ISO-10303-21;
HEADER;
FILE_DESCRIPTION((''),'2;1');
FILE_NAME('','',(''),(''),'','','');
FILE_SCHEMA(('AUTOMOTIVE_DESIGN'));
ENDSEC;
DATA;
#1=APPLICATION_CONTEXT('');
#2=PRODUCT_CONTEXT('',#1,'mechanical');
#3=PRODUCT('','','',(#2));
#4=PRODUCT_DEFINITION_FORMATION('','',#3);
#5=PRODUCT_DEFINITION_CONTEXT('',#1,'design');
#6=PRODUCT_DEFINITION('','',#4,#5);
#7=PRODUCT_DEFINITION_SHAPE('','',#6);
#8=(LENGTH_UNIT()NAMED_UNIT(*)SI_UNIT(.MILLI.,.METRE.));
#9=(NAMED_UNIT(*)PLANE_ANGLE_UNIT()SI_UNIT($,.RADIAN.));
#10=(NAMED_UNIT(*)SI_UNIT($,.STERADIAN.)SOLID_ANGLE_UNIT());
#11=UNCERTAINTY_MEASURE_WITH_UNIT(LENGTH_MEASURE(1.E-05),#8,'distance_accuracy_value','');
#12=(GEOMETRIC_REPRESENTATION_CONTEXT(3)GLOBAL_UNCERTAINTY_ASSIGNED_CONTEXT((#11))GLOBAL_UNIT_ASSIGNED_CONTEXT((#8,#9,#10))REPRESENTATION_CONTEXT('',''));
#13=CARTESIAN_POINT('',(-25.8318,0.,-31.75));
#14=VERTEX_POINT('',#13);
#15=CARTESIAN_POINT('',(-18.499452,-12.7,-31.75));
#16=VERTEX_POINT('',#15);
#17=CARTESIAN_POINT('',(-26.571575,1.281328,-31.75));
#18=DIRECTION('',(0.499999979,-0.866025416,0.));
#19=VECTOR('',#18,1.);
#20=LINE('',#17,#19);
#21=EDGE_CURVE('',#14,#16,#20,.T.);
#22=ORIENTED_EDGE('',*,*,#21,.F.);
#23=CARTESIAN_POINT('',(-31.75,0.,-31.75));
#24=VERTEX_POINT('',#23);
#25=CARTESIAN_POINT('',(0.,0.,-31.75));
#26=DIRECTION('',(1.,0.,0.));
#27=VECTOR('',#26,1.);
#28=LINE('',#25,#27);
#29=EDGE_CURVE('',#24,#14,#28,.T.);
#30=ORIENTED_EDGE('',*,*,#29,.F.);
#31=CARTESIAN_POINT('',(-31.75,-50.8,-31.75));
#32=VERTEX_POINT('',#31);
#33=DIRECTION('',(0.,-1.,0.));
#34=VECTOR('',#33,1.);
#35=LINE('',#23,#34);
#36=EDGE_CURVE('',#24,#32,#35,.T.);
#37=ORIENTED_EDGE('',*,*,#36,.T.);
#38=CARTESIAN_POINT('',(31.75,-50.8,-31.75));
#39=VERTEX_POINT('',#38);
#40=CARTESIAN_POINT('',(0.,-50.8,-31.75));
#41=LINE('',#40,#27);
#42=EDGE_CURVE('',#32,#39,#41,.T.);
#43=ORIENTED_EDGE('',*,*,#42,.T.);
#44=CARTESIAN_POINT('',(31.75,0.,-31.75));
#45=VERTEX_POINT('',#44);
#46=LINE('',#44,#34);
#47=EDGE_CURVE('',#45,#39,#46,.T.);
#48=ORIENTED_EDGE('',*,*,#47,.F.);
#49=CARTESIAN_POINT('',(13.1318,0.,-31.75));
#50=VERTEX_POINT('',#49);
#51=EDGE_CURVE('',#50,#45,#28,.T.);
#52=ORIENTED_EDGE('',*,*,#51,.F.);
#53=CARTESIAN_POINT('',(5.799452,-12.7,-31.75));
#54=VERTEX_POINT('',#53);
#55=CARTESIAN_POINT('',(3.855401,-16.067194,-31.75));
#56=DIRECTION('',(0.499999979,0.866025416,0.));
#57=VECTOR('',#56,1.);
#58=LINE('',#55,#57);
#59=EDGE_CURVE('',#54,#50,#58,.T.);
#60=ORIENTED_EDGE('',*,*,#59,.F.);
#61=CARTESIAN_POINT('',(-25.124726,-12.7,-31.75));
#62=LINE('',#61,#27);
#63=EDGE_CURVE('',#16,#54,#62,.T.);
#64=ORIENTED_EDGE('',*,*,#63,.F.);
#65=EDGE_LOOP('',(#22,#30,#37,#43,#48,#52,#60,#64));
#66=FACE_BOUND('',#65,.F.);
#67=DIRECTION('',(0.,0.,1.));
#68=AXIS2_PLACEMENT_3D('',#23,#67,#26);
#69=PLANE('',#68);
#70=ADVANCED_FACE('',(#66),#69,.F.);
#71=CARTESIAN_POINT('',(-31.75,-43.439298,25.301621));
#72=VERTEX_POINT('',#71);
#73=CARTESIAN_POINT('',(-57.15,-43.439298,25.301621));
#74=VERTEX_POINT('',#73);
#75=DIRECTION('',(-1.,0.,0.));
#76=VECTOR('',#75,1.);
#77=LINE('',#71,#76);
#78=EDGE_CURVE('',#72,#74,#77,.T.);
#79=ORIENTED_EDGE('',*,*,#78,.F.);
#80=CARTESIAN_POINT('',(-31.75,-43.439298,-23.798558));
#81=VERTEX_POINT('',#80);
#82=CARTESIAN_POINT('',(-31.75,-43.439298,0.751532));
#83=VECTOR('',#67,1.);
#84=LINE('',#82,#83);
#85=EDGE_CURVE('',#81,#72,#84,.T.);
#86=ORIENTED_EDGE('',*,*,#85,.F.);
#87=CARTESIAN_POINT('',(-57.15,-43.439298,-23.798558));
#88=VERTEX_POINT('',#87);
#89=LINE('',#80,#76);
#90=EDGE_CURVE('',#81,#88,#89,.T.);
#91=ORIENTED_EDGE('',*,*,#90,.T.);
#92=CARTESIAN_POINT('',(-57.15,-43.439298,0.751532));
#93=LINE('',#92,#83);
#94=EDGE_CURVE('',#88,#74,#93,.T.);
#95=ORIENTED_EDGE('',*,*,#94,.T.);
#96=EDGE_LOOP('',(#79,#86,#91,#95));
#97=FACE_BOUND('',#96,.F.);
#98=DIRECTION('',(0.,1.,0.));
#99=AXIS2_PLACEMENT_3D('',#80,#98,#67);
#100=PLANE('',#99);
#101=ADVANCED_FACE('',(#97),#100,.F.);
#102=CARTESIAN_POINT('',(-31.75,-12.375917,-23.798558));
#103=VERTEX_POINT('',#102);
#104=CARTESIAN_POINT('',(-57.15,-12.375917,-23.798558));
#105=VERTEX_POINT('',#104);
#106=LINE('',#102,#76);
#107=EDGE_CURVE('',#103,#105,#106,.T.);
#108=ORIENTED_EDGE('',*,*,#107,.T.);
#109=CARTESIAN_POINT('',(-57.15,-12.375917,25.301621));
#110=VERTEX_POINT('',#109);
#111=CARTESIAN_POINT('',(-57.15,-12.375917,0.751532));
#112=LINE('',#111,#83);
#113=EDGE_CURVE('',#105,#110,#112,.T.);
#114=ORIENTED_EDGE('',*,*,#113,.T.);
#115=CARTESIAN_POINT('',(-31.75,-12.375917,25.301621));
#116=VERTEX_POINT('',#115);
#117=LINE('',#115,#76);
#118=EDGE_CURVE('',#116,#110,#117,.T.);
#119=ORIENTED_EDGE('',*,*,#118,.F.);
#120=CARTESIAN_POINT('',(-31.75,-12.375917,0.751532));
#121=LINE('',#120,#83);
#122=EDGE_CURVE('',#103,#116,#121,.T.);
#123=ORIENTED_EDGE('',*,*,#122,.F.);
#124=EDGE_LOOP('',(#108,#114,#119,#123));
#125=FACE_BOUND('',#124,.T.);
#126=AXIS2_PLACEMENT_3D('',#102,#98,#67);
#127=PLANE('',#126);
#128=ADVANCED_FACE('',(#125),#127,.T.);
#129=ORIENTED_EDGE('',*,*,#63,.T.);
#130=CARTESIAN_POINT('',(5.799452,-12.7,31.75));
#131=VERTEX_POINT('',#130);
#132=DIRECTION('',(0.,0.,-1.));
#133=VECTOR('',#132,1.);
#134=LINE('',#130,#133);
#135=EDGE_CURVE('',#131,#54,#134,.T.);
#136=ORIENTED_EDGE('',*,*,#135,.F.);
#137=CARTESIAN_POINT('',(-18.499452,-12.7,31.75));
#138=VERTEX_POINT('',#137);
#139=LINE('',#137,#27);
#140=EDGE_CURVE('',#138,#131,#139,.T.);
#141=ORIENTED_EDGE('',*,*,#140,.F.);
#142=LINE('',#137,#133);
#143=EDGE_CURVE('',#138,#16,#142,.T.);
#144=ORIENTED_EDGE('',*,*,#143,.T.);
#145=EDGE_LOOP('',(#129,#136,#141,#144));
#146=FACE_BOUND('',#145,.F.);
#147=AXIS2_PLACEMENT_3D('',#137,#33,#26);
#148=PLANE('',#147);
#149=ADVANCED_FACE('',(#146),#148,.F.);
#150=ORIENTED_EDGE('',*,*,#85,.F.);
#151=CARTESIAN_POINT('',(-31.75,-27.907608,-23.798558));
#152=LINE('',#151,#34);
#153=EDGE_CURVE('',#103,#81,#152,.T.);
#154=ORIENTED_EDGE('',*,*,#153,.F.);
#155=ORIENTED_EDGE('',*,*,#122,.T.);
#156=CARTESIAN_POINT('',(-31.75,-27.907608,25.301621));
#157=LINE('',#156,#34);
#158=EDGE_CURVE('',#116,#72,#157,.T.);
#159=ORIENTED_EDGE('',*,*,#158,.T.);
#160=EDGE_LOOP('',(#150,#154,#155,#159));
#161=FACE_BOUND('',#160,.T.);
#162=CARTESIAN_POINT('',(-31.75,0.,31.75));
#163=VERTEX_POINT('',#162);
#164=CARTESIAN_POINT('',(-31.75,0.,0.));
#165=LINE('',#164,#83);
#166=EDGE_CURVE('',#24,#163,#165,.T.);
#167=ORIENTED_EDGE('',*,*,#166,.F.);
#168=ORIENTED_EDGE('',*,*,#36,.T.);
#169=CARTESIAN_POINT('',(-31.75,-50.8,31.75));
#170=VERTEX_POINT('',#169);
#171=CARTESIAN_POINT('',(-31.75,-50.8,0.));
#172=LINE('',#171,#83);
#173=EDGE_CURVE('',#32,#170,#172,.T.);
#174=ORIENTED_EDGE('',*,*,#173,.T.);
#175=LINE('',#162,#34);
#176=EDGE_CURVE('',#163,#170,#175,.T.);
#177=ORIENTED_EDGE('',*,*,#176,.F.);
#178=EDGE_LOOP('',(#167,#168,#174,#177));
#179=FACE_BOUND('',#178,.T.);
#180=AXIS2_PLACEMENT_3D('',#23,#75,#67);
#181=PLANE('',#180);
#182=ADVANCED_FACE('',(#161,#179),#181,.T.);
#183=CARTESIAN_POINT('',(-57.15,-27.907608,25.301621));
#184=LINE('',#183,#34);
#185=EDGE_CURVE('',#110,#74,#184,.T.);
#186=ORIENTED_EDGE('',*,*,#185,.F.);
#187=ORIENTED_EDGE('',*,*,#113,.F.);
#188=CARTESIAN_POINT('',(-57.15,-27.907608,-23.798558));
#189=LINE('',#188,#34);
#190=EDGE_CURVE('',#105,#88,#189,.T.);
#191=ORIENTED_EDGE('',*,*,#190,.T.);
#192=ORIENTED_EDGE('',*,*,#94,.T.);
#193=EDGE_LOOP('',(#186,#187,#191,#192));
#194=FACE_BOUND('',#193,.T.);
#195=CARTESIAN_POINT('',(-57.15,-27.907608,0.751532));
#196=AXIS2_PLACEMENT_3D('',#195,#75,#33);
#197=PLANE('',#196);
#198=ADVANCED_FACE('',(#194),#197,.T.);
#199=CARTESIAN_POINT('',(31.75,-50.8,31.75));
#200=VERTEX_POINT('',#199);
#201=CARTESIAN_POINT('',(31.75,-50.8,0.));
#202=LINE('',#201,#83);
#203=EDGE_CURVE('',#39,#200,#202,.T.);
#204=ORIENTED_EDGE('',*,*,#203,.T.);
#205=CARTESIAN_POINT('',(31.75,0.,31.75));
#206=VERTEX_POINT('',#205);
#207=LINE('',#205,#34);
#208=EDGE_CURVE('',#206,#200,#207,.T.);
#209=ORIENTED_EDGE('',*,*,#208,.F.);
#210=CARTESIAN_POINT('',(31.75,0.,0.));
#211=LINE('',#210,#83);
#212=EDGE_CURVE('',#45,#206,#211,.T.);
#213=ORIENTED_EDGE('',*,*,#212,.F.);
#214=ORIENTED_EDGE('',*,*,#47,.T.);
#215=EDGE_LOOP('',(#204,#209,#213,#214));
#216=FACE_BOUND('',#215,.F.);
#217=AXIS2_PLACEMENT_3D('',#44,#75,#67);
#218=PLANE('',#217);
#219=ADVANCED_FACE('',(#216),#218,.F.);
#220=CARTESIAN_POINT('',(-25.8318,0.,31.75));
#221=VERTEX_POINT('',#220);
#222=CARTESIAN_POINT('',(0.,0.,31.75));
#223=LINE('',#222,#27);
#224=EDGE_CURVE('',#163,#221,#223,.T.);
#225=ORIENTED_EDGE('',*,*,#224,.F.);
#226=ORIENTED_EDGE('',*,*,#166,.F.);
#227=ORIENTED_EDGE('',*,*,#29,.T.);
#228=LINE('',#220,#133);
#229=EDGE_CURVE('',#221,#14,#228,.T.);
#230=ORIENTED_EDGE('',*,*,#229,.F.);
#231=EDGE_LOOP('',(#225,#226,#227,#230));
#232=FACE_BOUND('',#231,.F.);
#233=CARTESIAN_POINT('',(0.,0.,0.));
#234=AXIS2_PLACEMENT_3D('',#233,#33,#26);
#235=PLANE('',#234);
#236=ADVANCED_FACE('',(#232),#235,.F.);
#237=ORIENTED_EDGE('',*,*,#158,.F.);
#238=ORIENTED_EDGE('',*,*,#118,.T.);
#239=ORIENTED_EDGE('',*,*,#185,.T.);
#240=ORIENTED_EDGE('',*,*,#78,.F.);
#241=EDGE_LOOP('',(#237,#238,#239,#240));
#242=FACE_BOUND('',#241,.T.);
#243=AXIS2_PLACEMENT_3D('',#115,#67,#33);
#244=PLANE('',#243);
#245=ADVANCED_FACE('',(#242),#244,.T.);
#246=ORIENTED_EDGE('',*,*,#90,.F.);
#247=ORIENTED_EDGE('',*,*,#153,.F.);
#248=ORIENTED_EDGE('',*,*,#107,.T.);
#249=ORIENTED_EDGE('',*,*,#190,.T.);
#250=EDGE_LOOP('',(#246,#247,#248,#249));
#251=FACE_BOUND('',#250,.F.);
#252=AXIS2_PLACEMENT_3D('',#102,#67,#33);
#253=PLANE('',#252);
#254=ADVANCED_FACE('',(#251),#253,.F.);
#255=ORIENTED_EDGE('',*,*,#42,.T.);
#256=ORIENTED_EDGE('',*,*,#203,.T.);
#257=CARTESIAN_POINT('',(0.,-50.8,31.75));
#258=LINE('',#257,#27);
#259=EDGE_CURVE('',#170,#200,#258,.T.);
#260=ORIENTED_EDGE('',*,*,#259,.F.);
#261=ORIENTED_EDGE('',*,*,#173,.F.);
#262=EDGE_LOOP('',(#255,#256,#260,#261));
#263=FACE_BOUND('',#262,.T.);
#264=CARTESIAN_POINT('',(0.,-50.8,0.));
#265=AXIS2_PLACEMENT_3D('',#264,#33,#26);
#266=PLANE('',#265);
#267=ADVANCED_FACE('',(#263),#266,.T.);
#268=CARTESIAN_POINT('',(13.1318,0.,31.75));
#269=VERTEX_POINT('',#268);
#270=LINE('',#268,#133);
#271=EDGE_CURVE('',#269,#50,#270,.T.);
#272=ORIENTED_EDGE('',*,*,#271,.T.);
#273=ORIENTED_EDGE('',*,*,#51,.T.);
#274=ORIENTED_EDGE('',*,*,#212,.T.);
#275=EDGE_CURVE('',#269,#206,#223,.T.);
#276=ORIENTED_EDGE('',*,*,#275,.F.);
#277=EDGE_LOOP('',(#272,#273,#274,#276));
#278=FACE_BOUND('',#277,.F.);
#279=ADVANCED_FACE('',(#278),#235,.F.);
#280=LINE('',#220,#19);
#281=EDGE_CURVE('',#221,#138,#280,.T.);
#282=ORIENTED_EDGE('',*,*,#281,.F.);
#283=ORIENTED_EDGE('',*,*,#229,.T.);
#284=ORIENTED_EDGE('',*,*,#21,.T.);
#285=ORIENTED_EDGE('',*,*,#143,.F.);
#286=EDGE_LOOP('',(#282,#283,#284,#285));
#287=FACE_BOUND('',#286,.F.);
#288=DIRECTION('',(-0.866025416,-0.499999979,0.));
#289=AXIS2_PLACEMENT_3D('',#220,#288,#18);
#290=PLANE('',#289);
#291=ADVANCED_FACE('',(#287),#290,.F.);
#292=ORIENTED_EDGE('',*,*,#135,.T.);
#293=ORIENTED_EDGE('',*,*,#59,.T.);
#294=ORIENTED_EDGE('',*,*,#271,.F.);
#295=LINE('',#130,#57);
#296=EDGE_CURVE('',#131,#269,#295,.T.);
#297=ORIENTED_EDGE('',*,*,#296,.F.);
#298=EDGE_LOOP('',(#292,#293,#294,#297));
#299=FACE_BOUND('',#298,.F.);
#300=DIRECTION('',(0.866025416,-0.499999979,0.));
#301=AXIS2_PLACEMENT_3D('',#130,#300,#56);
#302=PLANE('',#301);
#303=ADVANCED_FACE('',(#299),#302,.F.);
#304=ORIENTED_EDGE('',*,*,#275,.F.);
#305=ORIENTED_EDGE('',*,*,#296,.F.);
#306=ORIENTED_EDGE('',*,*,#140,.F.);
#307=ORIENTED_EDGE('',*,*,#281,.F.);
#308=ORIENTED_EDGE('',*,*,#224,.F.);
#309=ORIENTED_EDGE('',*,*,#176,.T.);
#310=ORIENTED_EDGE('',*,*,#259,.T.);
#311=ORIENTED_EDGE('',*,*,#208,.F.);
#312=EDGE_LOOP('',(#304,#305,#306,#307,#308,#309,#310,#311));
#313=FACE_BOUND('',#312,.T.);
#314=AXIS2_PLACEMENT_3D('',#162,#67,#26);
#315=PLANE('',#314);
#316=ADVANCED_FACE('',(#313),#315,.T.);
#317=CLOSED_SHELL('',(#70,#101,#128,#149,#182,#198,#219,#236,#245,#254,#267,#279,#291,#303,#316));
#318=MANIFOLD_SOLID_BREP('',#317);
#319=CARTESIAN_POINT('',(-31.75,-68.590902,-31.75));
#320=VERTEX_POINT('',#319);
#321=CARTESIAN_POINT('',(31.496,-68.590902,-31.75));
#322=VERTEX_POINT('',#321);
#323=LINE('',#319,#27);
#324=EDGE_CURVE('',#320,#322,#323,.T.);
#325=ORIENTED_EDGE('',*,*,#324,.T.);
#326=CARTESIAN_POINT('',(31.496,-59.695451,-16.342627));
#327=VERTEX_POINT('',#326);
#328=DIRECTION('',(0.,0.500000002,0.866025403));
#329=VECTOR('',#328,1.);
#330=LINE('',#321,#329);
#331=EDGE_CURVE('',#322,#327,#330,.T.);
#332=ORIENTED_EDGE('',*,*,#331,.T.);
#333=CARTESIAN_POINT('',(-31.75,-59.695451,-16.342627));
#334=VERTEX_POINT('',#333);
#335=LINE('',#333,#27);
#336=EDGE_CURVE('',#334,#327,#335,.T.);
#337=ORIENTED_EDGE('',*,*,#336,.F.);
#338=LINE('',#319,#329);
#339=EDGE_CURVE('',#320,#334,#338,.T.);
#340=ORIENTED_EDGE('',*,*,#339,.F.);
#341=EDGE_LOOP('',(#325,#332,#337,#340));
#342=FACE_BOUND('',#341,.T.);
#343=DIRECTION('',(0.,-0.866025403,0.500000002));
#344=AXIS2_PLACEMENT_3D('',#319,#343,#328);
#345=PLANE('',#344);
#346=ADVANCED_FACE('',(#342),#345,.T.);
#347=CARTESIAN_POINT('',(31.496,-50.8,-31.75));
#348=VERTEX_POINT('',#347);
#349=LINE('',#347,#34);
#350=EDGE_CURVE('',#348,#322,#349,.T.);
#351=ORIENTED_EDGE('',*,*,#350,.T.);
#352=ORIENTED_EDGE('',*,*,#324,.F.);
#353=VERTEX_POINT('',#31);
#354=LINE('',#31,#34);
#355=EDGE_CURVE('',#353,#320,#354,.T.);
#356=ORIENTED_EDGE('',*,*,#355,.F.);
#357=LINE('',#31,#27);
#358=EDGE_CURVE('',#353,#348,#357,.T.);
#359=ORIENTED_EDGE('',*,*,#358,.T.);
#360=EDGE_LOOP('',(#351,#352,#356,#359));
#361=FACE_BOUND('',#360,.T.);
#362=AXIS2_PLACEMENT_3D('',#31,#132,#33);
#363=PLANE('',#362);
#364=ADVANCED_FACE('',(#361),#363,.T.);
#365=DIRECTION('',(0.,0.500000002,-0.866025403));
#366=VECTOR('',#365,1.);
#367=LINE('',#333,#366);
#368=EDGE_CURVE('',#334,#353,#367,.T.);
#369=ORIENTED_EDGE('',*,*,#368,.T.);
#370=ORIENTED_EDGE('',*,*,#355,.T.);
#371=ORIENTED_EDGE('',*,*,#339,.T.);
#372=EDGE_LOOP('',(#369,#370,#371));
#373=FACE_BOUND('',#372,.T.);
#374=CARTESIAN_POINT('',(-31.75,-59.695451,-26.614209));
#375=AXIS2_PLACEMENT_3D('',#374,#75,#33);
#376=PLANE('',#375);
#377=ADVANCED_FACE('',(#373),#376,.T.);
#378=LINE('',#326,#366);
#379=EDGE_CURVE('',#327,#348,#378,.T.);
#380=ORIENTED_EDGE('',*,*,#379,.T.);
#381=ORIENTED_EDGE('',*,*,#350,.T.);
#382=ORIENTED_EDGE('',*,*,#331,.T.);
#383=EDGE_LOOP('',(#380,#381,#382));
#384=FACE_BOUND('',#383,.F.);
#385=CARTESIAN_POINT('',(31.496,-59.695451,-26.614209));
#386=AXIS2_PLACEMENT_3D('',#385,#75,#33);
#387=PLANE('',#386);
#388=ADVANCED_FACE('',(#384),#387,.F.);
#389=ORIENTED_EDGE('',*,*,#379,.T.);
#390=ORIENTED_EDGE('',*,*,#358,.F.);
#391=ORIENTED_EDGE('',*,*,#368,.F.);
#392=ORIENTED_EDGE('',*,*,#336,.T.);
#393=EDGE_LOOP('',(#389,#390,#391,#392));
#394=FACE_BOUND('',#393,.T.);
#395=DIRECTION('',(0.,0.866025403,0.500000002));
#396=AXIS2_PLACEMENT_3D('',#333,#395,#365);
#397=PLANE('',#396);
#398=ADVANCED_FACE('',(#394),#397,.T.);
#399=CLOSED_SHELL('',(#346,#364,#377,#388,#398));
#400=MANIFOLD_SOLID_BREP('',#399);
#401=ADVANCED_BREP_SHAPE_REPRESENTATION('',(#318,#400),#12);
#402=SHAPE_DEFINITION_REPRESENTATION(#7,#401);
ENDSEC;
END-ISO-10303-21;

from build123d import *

# Parameters (mm, degrees)
F0_W     = 63.5
F0_H     = 63.5
F1_DEPTH = 50.8
F3_DEPTH = 82.042
F6_DEPTH = 63.246
F7_W     = 31.063381
F7_H     = 49.100179
F8_DEPTH = 25.4


with BuildPart() as f1:
    # F0 (on Front) → F1 (new body)
    with BuildSketch(Plane.XZ):
        Rectangle(F0_W, F0_H)
    extrude(amount=F1_DEPTH)

    # F2 (on face) → F3 (cut)
    with BuildSketch(Plane.XY.offset(31.75)):
        Polygon((13.1318, 0), (-25.8318, 0), (-18.499452, -12.7), (5.799452, -12.7), align=None)
    extrude(amount=-F3_DEPTH, mode=Mode.SUBTRACT)

    # F7 (on face) → F8 (join)
    with BuildSketch(Plane(origin=(-31.75, 0, 0), x_dir=(0, -1, 0), z_dir=(-1, 0, 0))):
        with Locations((27.907608, 0.751532)):
            Rectangle(F7_W, F7_H)
    extrude(amount=F8_DEPTH)


with BuildPart() as f6:
    # F5 (on face) → F6 (new body)
    with BuildSketch(Plane(origin=(-31.75, 0, 0), x_dir=(0, -1, 0), z_dir=(-1, 0, 0))):
        Polygon((59.695451, -16.342627), (50.8, -31.75), (68.590902, -31.75), align=None)
    extrude(amount=-F6_DEPTH)


solid = Compound([f1.part, f6.part])
